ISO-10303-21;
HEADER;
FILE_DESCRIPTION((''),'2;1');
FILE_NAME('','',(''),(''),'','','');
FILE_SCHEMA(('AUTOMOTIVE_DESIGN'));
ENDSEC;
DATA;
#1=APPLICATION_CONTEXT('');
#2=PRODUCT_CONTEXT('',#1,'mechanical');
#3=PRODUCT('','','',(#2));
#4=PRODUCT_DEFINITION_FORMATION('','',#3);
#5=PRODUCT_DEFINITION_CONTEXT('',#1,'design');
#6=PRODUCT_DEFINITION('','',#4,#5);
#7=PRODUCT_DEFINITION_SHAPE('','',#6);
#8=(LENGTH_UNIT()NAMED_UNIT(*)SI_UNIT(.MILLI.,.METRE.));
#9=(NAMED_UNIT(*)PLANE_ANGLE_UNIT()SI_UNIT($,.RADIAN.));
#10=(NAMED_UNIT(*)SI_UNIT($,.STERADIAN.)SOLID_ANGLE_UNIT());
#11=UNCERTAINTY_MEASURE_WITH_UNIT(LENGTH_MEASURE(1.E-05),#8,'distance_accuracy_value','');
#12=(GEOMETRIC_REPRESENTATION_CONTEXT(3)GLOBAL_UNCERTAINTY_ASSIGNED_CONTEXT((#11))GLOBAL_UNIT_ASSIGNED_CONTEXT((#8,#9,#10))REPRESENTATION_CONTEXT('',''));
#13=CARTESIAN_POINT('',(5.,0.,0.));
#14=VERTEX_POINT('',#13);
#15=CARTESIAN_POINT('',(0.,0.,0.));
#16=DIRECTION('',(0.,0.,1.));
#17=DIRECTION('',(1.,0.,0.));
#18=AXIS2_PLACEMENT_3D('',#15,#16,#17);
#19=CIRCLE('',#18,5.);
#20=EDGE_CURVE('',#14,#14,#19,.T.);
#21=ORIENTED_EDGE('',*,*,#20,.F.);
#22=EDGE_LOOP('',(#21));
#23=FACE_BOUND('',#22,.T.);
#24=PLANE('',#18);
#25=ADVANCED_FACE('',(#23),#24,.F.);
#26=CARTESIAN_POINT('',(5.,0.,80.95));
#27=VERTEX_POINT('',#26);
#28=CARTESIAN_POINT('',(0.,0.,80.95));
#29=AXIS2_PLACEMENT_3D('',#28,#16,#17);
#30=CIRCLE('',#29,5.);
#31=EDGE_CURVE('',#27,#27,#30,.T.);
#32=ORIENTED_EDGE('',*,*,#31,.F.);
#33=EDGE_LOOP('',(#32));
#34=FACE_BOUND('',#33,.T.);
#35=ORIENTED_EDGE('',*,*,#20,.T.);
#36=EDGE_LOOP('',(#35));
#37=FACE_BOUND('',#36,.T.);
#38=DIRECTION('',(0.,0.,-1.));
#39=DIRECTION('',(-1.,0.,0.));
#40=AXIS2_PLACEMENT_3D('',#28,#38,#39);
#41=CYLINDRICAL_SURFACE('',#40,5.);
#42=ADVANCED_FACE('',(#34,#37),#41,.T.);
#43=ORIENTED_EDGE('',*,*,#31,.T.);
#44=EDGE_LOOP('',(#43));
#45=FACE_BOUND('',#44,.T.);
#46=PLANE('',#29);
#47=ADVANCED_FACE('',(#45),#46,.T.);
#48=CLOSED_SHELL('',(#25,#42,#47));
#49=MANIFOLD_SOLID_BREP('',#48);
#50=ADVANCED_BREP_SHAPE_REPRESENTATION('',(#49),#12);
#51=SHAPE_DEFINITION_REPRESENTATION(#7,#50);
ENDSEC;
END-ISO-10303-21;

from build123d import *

# Parameters (mm, degrees)
CROQUIS2_R              = 5
SALIENTE_EXTRUIR1_DEPTH = 80.95


with BuildPart() as part:
    # Croquis2 → Saliente-Extruir1 (new body)
    with BuildSketch(Plane.XY):
        Circle(CROQUIS2_R)
    extrude(amount=SALIENTE_EXTRUIR1_DEPTH)


solid = part.part
